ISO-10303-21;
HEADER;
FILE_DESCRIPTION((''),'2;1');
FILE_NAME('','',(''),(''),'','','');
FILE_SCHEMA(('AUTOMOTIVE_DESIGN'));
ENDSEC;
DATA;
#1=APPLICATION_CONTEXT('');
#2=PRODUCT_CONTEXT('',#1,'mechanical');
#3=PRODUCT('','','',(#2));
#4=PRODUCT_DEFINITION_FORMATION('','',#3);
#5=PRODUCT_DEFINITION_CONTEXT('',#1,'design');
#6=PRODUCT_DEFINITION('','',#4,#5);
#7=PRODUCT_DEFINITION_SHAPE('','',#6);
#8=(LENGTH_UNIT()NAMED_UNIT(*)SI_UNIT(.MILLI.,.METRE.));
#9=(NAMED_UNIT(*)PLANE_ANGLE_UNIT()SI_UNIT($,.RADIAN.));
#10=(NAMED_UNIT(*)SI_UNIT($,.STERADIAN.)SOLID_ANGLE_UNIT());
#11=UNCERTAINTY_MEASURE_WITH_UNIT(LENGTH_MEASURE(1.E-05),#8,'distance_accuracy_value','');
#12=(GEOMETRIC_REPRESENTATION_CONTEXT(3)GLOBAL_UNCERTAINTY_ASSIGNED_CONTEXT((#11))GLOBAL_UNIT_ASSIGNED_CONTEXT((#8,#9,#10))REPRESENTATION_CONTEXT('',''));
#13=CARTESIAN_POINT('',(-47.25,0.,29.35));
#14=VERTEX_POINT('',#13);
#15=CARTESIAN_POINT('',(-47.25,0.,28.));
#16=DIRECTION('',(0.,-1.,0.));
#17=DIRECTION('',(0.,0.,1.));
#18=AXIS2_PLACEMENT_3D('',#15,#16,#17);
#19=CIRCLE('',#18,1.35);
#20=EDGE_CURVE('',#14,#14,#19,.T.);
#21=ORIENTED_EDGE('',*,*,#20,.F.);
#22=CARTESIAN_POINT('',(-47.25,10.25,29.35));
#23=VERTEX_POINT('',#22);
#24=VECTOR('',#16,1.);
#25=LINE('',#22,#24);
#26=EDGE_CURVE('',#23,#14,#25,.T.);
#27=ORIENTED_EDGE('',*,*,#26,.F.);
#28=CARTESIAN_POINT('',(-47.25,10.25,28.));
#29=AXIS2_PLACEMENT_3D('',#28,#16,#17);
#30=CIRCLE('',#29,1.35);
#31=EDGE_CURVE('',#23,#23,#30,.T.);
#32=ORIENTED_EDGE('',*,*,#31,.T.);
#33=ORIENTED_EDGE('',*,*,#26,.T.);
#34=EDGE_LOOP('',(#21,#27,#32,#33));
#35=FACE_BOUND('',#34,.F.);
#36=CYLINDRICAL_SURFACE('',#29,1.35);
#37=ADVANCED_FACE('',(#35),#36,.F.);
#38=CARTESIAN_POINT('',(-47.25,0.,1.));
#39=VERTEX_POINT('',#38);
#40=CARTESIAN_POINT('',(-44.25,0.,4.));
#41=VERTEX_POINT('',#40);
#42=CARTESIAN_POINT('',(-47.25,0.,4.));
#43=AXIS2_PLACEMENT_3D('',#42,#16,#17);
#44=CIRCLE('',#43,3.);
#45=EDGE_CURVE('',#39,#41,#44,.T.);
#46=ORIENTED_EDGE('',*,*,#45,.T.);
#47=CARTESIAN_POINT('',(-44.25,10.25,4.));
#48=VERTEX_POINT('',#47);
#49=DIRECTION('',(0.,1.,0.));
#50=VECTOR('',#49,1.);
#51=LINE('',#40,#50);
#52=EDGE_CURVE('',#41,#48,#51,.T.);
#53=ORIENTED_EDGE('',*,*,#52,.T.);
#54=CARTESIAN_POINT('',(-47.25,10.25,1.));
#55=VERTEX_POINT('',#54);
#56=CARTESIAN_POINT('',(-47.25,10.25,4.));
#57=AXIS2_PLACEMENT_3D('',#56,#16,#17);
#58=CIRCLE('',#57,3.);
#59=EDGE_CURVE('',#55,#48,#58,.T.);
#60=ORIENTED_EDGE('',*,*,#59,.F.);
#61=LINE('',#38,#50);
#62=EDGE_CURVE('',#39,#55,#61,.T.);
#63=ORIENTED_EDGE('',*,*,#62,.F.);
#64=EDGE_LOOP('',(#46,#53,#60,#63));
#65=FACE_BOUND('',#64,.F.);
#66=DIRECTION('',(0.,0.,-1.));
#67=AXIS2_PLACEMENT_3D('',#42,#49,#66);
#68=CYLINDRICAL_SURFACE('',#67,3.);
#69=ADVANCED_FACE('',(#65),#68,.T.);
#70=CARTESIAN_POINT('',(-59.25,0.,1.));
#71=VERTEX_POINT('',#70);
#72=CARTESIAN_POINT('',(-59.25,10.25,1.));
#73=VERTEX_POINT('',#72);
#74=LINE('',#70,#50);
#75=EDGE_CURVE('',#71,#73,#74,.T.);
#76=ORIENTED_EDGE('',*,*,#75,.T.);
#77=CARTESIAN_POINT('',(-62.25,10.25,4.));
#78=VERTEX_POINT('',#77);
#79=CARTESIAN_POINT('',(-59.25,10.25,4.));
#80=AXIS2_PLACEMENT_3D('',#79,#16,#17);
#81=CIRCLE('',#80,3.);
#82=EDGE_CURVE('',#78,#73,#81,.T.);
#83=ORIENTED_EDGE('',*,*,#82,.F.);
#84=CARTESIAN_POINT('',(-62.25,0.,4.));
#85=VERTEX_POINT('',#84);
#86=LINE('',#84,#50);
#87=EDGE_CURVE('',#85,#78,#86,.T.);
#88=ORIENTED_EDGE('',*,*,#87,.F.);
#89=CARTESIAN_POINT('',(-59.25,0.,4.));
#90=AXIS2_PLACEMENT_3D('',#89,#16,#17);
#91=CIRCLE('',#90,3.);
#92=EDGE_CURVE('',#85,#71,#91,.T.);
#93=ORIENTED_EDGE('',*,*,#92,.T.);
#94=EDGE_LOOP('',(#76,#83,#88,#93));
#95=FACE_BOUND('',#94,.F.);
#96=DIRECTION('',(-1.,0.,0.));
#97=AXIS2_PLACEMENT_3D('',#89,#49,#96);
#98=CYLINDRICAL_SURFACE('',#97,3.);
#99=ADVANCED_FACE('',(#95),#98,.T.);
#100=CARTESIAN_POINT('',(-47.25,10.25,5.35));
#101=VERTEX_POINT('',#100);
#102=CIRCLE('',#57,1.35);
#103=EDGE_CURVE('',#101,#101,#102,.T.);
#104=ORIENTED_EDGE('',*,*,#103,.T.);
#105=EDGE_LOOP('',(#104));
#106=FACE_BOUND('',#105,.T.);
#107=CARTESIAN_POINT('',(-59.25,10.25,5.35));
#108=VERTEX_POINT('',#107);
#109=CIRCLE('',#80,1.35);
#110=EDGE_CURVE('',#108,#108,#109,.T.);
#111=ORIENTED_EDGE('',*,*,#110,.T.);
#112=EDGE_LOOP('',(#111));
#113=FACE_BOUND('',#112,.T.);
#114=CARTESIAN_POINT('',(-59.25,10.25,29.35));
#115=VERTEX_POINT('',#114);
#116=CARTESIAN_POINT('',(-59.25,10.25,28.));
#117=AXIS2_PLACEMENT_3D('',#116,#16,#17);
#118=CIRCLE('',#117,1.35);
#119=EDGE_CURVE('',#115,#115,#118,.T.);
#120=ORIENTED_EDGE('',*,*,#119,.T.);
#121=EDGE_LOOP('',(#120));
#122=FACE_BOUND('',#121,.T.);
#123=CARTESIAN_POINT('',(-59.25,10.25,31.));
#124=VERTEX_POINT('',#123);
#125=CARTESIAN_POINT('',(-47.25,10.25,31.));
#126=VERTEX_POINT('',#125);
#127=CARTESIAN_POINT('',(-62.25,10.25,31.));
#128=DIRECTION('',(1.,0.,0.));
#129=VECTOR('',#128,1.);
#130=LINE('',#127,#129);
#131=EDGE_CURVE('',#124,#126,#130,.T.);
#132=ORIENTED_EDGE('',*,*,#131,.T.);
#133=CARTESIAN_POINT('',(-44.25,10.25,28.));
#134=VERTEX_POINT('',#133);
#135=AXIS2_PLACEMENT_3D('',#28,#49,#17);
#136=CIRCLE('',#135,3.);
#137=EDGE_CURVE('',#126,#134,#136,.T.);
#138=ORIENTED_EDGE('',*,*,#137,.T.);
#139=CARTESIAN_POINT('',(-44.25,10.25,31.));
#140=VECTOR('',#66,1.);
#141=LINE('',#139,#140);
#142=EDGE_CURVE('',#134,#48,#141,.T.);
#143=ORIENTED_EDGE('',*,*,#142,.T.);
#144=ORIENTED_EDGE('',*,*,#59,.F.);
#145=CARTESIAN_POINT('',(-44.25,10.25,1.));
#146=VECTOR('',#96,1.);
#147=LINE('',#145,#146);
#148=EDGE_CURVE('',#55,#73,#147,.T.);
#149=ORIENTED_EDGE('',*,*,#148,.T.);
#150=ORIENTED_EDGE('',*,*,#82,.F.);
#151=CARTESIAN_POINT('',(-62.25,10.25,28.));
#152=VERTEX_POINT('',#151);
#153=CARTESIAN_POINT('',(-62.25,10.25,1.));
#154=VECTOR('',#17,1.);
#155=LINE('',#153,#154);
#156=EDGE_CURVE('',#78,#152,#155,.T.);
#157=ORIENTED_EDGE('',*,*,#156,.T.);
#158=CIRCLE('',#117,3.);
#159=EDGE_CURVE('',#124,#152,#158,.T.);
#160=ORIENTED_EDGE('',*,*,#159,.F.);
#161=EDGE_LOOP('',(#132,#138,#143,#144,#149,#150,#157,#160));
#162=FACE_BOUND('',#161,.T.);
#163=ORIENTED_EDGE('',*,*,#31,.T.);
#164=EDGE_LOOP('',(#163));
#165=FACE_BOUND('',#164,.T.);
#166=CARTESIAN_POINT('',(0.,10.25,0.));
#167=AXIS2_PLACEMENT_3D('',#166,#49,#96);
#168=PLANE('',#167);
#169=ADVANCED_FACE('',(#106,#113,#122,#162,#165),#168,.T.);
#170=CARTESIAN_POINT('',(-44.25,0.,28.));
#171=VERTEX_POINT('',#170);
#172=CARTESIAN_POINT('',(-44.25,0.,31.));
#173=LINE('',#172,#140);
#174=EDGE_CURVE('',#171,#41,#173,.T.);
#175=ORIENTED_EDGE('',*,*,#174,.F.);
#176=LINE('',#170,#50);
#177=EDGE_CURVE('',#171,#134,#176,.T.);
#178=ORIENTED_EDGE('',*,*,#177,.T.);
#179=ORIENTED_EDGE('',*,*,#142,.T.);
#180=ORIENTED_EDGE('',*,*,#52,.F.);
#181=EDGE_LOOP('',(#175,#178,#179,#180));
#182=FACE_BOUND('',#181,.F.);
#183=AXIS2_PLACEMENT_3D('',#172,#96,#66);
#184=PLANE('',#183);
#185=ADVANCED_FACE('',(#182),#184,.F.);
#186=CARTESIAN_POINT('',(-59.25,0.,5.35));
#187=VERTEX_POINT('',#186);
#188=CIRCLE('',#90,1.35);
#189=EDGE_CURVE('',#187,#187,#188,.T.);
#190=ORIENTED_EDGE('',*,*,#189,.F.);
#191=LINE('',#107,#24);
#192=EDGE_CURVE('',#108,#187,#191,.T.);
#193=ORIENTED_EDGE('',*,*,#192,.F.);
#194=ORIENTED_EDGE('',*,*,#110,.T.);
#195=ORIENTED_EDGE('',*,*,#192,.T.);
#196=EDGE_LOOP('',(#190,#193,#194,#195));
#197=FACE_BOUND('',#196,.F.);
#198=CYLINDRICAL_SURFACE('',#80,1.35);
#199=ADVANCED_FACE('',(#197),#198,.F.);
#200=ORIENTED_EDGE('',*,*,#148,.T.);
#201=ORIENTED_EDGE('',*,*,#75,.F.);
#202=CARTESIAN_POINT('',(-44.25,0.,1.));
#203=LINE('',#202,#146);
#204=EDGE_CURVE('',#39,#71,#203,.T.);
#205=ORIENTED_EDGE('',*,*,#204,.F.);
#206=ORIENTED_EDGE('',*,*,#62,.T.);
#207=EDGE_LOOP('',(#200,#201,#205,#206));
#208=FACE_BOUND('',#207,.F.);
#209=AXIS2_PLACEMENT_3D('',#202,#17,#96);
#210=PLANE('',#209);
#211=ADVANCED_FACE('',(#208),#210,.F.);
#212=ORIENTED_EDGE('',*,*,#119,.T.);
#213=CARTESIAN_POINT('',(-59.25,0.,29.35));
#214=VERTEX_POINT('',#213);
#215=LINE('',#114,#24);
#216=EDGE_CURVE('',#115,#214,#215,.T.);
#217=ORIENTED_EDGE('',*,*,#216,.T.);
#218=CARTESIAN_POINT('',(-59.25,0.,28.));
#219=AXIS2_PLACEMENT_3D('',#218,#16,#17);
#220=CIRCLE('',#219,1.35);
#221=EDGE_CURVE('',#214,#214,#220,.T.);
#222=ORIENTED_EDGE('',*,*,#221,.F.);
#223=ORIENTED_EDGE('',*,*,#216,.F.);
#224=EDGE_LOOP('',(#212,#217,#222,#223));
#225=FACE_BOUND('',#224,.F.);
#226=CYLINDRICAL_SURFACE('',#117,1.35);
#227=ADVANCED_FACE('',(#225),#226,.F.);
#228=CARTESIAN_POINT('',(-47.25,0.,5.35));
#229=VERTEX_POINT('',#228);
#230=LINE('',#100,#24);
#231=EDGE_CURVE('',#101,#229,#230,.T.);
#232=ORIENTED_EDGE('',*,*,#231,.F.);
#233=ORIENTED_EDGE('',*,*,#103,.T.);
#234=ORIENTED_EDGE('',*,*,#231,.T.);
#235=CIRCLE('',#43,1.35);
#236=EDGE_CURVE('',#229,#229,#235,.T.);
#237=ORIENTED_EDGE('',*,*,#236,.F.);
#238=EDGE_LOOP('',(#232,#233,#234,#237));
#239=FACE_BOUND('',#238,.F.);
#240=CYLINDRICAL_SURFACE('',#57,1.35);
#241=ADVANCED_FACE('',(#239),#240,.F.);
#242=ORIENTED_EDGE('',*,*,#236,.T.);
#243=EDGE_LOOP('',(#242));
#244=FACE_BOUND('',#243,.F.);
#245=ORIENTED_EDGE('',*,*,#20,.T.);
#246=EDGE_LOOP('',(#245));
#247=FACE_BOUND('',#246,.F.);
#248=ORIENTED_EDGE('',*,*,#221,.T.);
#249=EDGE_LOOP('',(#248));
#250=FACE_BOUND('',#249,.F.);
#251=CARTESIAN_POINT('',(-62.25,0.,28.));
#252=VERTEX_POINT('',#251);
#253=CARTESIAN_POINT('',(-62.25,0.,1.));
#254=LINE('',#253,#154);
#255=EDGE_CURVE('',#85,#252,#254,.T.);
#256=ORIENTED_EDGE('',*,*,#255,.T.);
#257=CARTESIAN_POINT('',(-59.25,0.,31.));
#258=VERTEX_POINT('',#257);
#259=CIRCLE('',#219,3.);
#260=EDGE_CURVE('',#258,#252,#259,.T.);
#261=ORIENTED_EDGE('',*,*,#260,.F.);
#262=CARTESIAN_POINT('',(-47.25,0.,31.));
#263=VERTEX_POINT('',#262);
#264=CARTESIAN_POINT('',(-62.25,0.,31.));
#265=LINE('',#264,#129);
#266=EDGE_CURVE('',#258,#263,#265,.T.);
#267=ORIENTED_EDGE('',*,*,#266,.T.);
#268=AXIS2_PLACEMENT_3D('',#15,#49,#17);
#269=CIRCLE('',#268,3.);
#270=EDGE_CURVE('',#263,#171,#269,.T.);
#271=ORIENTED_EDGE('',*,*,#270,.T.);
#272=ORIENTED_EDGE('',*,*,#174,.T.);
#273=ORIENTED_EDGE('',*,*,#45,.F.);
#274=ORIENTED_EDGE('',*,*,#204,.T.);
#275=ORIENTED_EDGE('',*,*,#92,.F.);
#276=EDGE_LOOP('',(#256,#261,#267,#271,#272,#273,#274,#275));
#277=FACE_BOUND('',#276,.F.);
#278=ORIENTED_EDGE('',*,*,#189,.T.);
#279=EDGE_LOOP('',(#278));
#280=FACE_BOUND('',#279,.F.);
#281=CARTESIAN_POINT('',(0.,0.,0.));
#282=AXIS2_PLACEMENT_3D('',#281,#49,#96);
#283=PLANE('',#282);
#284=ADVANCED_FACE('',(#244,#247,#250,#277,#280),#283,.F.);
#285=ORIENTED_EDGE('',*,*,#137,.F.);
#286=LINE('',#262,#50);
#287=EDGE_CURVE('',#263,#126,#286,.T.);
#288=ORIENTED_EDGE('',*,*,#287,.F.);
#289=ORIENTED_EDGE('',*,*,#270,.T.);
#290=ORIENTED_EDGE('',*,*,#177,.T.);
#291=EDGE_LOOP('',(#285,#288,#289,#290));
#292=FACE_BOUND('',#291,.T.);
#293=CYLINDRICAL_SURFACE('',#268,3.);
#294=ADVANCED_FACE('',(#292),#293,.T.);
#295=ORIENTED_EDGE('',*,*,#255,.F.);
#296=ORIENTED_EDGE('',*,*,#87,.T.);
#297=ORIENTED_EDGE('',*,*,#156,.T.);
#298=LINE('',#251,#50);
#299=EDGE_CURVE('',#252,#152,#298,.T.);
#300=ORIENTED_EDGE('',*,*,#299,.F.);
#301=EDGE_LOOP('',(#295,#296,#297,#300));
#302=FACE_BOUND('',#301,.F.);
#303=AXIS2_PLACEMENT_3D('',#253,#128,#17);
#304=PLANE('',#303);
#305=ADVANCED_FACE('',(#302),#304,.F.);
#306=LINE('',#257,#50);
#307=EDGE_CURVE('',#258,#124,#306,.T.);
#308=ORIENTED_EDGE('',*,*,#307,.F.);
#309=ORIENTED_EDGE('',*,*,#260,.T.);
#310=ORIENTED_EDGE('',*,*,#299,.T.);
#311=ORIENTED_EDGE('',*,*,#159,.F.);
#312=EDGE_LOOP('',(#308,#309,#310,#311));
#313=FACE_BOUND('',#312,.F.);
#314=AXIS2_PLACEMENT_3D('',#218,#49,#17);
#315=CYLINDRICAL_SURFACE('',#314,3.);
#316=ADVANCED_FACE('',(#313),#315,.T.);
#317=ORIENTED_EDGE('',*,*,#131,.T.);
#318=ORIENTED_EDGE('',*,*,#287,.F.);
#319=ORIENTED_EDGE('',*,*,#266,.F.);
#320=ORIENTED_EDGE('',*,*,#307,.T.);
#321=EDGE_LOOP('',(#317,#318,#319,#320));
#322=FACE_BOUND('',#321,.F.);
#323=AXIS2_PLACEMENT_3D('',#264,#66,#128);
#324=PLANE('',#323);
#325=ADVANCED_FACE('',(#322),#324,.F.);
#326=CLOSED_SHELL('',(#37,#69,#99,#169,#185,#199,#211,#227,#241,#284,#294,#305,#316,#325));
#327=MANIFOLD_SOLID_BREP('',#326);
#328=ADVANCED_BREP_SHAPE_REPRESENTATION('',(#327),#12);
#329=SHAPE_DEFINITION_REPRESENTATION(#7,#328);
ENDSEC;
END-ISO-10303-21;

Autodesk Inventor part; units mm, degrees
ref_plane "YZ Plane" through (0, 0, 0) normal (1, 0, 0) x (0, 1, 0)
ref_plane "XZ Plane" through (0, 0, 0) normal (0, 1, 0) x (-1, 0, 0)
ref_plane "XY Plane" through (0, 0, 0) normal (0, 0, 1) x (1, 0, 0)
sketch "スケッチ1" plane through (0, 0, 0) normal (0, 1, 0) x (-1, 0, 0)
  circle A0 centre (0, 0) radius 5
  circle A1 centre (0, 0) radius 11
  line L0 (0, 0) -> (0, -11)
  line L1 (0, 0) -> (0, 11)
  circle A2 centre (0, 9.5) radius 4.5
  circle A3 centre (0, -9.5) radius 4.5
  circle A4 centre (2.3645, 112.8492) radius 126.872
  circle A5 centre (8.3362, 58.5776) radius 45.2805
  circle A6 centre (2.3645, 112.8492) radius 54.5992
  line L2 (62.25, 31) -> (44.25, 31)
  line L3 (44.25, 31) -> (44.25, 1)
  line L4 (44.25, 1) -> (62.25, 1)
  line L5 (62.25, 1) -> (62.25, 31)
  line L6 (0, 0) -> (13.75, 0)
  line L7 (13.75, 0) -> (13.75, -16.75)
  line L8 (13.75, -16.75) -> (0, -16.75)
  line L9 (0, -16.75) -> (0, 0)
  line L10 (70.25, 35.25) -> (36.25, 35.25)
  line L11 (36.25, 35.25) -> (36.25, -11.25)
  line L12 (36.25, -11.25) -> (70.25, -11.25)
  line L13 (70.25, -11.25) -> (70.25, 35.25)
  line L14 (70.25, 0) -> (36.25, 0)
  line L15 (0, 0) -> (36.25, 0)
  point P0 (62.25, 1)
  point P1 (0.7536, 13.9365)
  point P2 (0, 5)
  point P3 (0, -5)
  point P4 (-0.087, -13.9992)
  dimension "d4" = 253.744
  dimension "d5" = 90.561
  dimension "d0" = 10
  dimension "d1" = 22
  dimension "d2" = 9
  dimension "d3" = 9
  dimension "d7" = 18
  dimension "d8" = 30
  dimension "d9" = 13.75
  dimension "d10" = 16.75
  dimension "d11" = 46.5
  dimension "d12" = 4.25
  dimension "d13" = 8
  dimension "d14" = 34
  dimension "d15" = 11.25
  dimension "d16" = 70.25
extrude "押し出し1" add sketch "スケッチ1" along normal blind 10.25 contours L2 L5 L4 L3
fillet "フィレット1" radius 3 4 edges at (-62.25, 5.125, 31) (-44.25, 5.125, 31) (-62.25, 5.125, 1) (-44.25, 5.125, 1)
sketch "スケッチ5" plane through (0, 10.25, 0) normal (0, 1, 0) x (1, 0, 0)
  line L0 (-59.25, -4) -> (-47.25, -4)
  line L1 (-47.25, -4) -> (-47.25, -28)
  line L2 (-47.25, -28) -> (-59.25, -28)
  line L3 (-59.25, -28) -> (-59.25, -4)
  line L4 (-62.25, -1) -> (-62.25, -28) projected
  line L5 (-59.25, -31) -> (-47.25, -31) projected
  point P0 (0, 0)
  point P1 (-62.25, -2.8114)
  dimension "d37" = 3
  dimension "d38" = 3
  dimension "d39" = 12
  dimension "d40" = 24
hole "穴2" at (-59.25, 10.25, 28) at (-47.25, 10.25, 28) at (-47.25, 10.25, 4) at (-59.25, 10.25, 4) direction (0, -1, 0) diameter 2.7 end through all
properties part number "connectpart5"
